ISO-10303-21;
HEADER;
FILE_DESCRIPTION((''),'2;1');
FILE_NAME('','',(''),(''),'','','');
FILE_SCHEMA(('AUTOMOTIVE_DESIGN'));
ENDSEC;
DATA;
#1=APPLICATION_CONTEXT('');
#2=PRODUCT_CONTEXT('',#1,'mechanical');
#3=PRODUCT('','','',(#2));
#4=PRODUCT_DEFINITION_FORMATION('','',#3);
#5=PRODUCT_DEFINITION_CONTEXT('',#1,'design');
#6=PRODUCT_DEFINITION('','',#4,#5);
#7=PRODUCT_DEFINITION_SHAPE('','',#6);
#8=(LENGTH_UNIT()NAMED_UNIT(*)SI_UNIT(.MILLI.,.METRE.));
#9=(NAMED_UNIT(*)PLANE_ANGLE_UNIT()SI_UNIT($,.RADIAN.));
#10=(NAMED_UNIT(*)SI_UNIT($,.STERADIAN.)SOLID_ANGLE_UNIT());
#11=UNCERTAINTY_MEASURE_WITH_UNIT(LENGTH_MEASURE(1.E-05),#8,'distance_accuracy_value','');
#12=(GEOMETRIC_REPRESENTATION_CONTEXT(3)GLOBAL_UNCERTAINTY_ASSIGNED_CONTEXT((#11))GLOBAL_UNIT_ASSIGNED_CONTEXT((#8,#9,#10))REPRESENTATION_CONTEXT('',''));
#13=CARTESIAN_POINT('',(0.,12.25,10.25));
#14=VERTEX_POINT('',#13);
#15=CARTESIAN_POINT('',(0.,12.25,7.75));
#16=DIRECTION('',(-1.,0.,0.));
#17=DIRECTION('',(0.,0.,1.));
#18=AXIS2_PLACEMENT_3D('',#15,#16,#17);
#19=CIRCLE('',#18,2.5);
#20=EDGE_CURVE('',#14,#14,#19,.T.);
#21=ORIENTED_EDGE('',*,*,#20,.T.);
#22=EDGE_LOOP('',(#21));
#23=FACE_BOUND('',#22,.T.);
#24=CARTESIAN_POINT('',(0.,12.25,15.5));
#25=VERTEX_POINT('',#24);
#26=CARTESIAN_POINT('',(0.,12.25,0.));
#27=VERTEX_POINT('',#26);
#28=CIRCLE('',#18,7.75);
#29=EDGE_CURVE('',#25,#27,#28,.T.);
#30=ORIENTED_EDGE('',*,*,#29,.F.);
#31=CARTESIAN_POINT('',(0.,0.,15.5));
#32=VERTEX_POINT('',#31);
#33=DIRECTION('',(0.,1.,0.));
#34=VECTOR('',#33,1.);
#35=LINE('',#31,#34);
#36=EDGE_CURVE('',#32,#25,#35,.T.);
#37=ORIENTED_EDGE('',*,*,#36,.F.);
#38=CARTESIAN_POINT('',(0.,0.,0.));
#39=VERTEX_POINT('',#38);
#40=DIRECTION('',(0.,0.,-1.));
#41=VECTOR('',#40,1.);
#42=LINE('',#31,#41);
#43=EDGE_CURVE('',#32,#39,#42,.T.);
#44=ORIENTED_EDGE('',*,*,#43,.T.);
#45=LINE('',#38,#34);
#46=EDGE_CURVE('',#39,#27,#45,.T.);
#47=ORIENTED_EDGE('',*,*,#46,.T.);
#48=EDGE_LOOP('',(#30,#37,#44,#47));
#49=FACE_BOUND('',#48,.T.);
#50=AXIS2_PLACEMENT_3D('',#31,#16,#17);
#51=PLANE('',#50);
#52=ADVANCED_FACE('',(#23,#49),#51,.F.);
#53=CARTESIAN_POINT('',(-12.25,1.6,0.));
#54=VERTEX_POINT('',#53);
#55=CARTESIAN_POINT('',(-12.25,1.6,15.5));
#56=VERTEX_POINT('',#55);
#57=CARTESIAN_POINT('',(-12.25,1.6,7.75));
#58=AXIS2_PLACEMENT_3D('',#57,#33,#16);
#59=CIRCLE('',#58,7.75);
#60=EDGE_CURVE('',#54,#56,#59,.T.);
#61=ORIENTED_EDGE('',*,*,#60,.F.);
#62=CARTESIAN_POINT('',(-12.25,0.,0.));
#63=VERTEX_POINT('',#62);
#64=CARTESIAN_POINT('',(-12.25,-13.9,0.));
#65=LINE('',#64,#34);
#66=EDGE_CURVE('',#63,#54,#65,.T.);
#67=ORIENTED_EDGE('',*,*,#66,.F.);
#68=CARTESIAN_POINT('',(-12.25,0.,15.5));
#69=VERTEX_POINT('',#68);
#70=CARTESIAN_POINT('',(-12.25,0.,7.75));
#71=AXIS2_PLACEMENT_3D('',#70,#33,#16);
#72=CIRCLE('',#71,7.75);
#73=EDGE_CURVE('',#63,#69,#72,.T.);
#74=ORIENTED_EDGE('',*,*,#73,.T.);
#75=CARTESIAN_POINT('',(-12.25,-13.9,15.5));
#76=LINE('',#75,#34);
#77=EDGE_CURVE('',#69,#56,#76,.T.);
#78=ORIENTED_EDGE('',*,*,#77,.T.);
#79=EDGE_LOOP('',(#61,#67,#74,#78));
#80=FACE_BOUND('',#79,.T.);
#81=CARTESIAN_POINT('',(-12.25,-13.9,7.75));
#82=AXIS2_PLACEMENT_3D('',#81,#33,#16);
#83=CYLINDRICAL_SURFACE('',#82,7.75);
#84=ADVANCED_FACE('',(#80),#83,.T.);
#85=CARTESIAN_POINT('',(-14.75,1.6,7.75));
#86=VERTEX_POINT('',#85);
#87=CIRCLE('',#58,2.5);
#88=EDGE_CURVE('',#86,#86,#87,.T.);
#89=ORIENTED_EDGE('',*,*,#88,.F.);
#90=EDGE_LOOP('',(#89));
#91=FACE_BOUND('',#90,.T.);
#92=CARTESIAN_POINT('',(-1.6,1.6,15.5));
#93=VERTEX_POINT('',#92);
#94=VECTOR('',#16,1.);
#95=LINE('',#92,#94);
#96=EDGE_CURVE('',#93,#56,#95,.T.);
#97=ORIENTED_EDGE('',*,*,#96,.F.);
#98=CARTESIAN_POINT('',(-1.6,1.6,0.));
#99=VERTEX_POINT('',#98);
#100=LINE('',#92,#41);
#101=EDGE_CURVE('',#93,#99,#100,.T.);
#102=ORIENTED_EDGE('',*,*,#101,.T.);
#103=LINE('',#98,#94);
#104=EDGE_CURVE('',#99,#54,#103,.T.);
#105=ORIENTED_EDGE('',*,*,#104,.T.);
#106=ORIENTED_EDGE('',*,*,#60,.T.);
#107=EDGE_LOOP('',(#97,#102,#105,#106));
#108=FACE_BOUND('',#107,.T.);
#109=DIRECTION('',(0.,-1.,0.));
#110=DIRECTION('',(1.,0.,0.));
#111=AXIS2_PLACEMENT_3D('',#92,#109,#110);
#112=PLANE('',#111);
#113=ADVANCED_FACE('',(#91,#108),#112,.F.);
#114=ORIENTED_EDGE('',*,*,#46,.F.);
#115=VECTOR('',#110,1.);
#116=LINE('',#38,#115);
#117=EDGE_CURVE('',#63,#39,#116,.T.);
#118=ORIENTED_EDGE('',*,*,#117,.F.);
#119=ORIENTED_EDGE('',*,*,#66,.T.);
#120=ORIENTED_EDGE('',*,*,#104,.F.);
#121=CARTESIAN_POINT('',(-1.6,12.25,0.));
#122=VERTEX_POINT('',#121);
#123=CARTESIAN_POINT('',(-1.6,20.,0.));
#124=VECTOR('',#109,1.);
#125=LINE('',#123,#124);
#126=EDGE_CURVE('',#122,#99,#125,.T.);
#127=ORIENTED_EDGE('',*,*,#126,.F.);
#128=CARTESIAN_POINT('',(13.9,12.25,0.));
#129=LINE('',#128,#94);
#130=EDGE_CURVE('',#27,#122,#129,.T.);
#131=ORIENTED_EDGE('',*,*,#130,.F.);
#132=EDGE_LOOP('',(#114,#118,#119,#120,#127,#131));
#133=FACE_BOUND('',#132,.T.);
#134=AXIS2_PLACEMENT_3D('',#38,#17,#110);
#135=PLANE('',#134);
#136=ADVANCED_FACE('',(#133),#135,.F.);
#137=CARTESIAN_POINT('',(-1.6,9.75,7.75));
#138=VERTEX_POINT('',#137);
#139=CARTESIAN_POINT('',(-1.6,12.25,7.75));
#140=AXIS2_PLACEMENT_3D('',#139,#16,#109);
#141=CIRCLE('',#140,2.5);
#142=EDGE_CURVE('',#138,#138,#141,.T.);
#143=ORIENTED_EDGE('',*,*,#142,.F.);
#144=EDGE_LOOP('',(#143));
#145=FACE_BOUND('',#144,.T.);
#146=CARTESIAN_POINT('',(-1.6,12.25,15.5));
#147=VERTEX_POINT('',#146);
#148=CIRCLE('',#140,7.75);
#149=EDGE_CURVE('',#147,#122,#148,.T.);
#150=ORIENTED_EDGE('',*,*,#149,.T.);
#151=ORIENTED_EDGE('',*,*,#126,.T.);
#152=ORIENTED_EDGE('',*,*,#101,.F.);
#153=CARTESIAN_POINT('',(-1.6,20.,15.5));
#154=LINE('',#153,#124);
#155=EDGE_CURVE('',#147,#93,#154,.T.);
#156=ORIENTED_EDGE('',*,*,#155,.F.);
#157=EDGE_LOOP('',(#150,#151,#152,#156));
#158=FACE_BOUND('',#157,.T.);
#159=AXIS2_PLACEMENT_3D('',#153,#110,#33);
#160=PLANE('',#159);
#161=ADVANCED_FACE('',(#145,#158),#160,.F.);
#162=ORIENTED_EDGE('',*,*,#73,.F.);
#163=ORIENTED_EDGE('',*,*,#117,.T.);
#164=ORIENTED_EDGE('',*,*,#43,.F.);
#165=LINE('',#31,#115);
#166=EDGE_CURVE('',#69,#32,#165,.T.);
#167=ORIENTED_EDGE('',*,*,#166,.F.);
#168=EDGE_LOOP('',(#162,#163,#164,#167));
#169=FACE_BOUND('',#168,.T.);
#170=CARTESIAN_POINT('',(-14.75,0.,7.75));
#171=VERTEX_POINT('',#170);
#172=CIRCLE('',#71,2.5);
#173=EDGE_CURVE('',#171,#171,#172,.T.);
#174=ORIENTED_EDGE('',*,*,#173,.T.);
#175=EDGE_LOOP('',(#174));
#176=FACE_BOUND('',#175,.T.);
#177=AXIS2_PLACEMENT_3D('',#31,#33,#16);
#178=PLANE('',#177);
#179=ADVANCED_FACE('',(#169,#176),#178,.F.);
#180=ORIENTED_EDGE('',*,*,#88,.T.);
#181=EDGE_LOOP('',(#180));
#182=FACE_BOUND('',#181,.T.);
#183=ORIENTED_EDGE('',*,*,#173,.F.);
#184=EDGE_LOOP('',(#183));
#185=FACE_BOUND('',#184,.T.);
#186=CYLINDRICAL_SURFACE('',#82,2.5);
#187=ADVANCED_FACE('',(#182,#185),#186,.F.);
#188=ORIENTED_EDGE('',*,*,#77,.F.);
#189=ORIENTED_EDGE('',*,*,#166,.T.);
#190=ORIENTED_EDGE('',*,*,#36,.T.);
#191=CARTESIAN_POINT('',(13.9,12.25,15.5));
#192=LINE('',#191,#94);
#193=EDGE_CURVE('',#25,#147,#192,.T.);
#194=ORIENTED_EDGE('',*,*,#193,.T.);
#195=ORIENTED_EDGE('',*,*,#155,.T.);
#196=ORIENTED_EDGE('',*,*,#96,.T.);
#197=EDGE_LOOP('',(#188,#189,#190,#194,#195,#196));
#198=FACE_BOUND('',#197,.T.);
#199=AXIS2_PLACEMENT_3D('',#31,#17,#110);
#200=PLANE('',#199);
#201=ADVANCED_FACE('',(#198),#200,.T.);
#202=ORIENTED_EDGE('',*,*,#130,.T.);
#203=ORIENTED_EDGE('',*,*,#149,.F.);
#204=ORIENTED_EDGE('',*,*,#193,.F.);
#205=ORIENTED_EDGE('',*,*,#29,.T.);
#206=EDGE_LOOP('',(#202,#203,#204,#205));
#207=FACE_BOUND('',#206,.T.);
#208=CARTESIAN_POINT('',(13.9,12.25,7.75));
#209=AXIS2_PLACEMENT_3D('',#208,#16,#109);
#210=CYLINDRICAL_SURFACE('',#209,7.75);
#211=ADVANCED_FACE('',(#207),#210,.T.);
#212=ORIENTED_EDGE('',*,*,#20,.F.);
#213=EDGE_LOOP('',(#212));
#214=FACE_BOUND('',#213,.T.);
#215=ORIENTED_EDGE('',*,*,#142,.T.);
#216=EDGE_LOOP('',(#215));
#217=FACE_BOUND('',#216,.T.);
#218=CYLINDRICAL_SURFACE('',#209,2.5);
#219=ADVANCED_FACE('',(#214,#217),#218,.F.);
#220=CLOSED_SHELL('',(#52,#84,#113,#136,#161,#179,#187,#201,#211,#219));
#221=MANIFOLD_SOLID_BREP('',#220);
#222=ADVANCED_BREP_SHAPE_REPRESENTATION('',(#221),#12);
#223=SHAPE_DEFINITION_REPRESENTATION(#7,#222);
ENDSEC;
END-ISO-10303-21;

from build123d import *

# Parameters (mm, degrees)
EXTRUDE_1_DEPTH     = 15.5
CUT_EXTRUDE_1_DEPTH = 15.5
CUT_EXTRUDE_2_DEPTH = 15.5
SKETCH_4_R          = 2.5
CUT_EXTRUDE_3_DEPTH = 15.5
SKETCH_5_R          = 2.5
CUT_EXTRUDE_4_DEPTH = 15.5


with BuildPart() as part:
    # 草图1 → 凸台-拉伸1 (new body)
    with BuildSketch(Plane.XY):
        Polygon((0, 0), (-20, 0), (-20, 1.6), (-1.6, 1.6), (-1.6, 20), (0, 20), align=None)
    extrude(amount=EXTRUDE_1_DEPTH)

    # 草图2 → 切除-拉伸1 (cut)
    with BuildSketch(Plane.ZY.offset(1.6)):
        with BuildLine():
            Line((0, 20), (0, 12.25))
            ThreePointArc((0, 12.25), (2.269922446, 17.730077554), (7.75, 20))
            Line((7.75, 20), (0, 20))
        make_face()
        with BuildLine():
            ThreePointArc((7.75, 20), (13.230077554, 17.730077554), (15.5, 12.25))
            Line((15.5, 12.25), (15.5, 20))
            Line((15.5, 20), (7.75, 20))
        make_face()
    extrude(amount=-CUT_EXTRUDE_1_DEPTH, mode=Mode.SUBTRACT)

    # 草图3 → 切除-拉伸2 (cut)
    with BuildSketch(Plane(origin=(0, 1.6, 0), x_dir=(1, 0, 0), z_dir=(0, 1, 0))):
        with BuildLine():
            ThreePointArc((-12.25, -15.5), (-17.730077554, -13.230077554), (-20, -7.75))
            Line((-20, -7.75), (-20, -15.5))
            Line((-20, -15.5), (-12.25, -15.5))
        make_face()
        with BuildLine():
            ThreePointArc((-20, -7.75), (-17.730077554, -2.269922446), (-12.25, 0))
            Line((-12.25, 0), (-20, 0))
            Line((-20, 0), (-20, -7.75))
        make_face()
    extrude(amount=-CUT_EXTRUDE_2_DEPTH, mode=Mode.SUBTRACT)

    # 草图4 → 切除-拉伸3 (cut)
    with BuildSketch(Plane.ZY.offset(1.6)):
        with Locations((7.75, 12.25)):
            Circle(SKETCH_4_R)
    extrude(amount=-CUT_EXTRUDE_3_DEPTH, mode=Mode.SUBTRACT)

    # 草图5 → 切除-拉伸4 (cut)
    with BuildSketch(Plane(origin=(0, 1.6, 0), x_dir=(1, 0, 0), z_dir=(0, 1, 0))):
        with Locations((-12.25, -7.75)):
            Circle(SKETCH_5_R)
    extrude(amount=-CUT_EXTRUDE_4_DEPTH, mode=Mode.SUBTRACT)


solid = part.part
